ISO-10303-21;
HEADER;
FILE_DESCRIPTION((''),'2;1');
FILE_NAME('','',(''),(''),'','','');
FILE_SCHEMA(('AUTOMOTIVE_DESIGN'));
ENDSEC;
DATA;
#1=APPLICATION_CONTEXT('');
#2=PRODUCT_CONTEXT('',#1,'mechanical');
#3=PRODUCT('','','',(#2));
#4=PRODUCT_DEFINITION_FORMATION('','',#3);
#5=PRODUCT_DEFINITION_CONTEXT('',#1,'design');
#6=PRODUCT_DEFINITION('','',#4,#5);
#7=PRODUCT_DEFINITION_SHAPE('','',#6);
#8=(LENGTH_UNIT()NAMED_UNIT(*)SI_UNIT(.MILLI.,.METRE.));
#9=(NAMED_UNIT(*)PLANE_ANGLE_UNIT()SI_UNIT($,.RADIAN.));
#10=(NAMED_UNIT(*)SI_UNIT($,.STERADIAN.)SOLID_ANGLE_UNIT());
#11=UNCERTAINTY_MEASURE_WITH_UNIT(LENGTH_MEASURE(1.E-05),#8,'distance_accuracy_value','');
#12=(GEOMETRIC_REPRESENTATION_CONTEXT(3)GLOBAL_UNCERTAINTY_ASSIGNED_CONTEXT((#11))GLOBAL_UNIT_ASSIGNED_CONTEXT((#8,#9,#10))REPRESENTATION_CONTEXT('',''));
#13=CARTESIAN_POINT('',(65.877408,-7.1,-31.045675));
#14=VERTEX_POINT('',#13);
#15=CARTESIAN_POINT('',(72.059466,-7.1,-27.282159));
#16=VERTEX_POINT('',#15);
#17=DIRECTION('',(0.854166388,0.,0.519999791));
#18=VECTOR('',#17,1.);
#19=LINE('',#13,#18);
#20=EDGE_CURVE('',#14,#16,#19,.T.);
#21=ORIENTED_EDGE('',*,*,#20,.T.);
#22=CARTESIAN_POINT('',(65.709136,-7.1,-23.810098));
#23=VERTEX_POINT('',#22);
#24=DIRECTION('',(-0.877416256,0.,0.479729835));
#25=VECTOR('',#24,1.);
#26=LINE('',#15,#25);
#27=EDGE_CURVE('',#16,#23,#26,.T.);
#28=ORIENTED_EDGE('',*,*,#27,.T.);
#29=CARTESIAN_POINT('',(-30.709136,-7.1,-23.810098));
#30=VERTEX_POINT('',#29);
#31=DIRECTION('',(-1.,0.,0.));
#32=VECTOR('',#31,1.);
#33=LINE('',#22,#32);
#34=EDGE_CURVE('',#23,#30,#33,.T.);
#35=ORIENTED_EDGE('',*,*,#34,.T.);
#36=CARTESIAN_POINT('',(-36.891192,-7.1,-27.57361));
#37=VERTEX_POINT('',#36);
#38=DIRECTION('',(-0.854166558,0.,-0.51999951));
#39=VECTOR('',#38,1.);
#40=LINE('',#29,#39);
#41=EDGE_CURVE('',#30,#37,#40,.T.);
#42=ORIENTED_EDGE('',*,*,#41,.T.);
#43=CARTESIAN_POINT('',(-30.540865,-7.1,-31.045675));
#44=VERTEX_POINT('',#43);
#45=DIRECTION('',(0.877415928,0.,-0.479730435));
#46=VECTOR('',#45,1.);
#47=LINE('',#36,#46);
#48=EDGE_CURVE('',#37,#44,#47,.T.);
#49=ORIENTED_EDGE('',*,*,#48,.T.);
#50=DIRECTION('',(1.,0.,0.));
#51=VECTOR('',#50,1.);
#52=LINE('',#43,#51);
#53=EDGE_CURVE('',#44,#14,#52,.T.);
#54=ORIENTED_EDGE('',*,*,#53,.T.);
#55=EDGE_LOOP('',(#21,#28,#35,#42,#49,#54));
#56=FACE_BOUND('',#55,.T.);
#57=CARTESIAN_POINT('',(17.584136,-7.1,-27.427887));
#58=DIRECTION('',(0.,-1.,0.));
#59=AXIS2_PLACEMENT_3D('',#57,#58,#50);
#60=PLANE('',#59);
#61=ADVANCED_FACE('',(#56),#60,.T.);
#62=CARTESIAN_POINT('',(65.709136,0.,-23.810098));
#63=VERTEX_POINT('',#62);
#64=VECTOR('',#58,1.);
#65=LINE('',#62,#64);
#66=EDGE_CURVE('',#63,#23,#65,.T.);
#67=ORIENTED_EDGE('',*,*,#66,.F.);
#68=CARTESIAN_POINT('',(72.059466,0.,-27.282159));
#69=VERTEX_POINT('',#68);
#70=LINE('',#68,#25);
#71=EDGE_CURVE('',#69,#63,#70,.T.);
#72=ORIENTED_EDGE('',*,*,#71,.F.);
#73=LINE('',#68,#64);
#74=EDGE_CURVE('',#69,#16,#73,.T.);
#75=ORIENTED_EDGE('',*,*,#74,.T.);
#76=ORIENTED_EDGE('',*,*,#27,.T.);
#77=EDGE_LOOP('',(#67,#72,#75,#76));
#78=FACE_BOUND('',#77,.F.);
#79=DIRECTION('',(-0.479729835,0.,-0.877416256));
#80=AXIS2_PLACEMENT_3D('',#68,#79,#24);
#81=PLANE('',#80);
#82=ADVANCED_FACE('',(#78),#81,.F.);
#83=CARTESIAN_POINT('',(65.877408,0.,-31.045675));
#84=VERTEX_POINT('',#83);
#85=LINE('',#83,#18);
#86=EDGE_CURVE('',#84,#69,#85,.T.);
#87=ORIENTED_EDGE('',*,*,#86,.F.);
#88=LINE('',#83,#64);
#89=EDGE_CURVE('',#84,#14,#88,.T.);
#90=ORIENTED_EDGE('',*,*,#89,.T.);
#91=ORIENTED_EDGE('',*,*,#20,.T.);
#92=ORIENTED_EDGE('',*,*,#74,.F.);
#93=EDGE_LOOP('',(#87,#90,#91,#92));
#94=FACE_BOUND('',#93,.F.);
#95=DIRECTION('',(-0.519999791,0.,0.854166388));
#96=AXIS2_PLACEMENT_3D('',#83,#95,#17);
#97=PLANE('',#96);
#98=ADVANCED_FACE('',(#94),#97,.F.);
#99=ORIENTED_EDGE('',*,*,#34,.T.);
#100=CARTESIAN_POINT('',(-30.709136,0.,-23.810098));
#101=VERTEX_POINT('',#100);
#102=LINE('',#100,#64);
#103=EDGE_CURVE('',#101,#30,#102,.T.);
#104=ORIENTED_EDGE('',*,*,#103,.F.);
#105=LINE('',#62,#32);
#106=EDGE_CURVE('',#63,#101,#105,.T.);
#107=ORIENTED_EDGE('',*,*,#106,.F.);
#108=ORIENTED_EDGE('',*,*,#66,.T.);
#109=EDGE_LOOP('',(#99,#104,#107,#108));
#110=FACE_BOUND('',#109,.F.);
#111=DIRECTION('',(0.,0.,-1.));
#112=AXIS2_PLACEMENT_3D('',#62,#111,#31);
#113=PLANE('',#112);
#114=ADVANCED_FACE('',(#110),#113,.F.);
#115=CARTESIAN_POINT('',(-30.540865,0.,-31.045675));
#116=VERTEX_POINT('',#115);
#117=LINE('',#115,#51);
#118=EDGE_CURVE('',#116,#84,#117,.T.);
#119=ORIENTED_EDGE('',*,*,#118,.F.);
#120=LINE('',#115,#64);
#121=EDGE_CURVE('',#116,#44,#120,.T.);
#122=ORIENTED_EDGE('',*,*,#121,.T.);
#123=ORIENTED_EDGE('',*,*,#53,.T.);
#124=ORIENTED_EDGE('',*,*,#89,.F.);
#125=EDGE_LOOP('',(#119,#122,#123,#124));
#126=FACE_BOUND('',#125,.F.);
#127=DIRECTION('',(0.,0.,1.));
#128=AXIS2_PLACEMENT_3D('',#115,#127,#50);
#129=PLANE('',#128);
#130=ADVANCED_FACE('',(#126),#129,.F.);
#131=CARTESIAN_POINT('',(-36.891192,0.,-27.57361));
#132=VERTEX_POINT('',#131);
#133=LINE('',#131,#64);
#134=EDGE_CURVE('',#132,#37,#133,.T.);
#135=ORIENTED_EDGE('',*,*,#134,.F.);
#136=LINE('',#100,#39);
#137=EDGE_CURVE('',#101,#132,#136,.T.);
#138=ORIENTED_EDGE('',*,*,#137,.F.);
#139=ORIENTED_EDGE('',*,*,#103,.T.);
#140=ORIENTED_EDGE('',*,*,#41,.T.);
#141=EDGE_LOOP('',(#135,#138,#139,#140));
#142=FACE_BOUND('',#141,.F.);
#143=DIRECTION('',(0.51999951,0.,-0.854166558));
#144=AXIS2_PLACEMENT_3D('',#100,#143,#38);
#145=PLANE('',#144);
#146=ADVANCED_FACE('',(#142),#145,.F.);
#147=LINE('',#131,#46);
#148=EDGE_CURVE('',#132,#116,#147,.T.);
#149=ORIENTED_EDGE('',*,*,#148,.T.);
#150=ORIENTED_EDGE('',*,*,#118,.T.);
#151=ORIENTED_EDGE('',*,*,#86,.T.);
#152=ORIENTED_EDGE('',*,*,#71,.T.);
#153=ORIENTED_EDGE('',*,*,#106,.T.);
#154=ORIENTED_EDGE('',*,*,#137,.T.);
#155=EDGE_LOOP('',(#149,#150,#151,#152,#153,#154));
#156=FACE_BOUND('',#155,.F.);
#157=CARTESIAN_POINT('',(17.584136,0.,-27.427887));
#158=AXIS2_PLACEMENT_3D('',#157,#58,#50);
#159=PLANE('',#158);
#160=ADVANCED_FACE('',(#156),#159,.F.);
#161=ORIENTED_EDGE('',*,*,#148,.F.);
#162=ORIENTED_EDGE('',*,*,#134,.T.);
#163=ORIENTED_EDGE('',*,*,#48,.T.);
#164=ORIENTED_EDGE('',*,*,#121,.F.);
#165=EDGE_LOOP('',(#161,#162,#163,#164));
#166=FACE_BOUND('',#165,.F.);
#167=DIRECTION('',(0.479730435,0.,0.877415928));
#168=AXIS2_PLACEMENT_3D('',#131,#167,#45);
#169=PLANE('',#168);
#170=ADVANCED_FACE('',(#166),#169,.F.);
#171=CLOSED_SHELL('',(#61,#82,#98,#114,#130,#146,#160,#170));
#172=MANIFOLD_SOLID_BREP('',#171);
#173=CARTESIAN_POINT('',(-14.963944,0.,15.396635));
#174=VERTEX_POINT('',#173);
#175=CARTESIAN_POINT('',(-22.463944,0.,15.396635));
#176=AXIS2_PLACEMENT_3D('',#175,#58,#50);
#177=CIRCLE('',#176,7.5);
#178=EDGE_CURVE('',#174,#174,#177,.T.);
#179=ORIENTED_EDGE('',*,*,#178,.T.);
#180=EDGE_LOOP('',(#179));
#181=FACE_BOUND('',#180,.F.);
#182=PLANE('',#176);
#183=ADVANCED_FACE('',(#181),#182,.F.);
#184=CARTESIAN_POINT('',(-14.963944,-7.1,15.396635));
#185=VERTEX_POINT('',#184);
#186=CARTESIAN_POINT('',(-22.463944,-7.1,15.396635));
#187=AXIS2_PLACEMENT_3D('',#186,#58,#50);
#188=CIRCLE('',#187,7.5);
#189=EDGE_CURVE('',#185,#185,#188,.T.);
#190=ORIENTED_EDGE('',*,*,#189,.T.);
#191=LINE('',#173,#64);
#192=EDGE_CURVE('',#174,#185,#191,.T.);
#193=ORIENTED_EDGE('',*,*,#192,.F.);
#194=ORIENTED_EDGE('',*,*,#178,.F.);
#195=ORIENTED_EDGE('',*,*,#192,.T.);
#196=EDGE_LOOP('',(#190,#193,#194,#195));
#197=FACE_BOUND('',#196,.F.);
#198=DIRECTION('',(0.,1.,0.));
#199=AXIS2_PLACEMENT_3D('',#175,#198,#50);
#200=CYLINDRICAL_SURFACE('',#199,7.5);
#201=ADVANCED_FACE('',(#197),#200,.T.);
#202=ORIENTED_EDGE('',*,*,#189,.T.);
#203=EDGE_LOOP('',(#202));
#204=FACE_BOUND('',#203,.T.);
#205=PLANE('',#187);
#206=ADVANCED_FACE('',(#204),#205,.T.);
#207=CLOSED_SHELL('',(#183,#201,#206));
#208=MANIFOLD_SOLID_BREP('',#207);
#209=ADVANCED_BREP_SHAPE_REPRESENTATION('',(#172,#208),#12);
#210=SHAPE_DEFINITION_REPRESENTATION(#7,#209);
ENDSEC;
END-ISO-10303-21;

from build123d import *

# Parameters (mm, degrees)
F0_R     = 7.5
F1_DEPTH = 7.1


with BuildPart() as f1:
    # F0 (on Front) → F1 (new body)
    with BuildSketch(Plane.XZ):
        with Locations((-22.463944, 15.396635)):
            Circle(F0_R)
        Polygon((-30.709136, -23.810098), (-30.540865, -31.045675), (65.877408, -31.045675), (65.709136, -23.810098), align=None)
        Polygon((-36.891192, -27.57361), (-30.540865, -31.045675), (-30.709136, -23.810098), align=None)
        Polygon((65.709136, -23.810098), (65.877408, -31.045675), (72.059466, -27.282159), align=None)
    extrude(amount=F1_DEPTH)


solid = f1.part
